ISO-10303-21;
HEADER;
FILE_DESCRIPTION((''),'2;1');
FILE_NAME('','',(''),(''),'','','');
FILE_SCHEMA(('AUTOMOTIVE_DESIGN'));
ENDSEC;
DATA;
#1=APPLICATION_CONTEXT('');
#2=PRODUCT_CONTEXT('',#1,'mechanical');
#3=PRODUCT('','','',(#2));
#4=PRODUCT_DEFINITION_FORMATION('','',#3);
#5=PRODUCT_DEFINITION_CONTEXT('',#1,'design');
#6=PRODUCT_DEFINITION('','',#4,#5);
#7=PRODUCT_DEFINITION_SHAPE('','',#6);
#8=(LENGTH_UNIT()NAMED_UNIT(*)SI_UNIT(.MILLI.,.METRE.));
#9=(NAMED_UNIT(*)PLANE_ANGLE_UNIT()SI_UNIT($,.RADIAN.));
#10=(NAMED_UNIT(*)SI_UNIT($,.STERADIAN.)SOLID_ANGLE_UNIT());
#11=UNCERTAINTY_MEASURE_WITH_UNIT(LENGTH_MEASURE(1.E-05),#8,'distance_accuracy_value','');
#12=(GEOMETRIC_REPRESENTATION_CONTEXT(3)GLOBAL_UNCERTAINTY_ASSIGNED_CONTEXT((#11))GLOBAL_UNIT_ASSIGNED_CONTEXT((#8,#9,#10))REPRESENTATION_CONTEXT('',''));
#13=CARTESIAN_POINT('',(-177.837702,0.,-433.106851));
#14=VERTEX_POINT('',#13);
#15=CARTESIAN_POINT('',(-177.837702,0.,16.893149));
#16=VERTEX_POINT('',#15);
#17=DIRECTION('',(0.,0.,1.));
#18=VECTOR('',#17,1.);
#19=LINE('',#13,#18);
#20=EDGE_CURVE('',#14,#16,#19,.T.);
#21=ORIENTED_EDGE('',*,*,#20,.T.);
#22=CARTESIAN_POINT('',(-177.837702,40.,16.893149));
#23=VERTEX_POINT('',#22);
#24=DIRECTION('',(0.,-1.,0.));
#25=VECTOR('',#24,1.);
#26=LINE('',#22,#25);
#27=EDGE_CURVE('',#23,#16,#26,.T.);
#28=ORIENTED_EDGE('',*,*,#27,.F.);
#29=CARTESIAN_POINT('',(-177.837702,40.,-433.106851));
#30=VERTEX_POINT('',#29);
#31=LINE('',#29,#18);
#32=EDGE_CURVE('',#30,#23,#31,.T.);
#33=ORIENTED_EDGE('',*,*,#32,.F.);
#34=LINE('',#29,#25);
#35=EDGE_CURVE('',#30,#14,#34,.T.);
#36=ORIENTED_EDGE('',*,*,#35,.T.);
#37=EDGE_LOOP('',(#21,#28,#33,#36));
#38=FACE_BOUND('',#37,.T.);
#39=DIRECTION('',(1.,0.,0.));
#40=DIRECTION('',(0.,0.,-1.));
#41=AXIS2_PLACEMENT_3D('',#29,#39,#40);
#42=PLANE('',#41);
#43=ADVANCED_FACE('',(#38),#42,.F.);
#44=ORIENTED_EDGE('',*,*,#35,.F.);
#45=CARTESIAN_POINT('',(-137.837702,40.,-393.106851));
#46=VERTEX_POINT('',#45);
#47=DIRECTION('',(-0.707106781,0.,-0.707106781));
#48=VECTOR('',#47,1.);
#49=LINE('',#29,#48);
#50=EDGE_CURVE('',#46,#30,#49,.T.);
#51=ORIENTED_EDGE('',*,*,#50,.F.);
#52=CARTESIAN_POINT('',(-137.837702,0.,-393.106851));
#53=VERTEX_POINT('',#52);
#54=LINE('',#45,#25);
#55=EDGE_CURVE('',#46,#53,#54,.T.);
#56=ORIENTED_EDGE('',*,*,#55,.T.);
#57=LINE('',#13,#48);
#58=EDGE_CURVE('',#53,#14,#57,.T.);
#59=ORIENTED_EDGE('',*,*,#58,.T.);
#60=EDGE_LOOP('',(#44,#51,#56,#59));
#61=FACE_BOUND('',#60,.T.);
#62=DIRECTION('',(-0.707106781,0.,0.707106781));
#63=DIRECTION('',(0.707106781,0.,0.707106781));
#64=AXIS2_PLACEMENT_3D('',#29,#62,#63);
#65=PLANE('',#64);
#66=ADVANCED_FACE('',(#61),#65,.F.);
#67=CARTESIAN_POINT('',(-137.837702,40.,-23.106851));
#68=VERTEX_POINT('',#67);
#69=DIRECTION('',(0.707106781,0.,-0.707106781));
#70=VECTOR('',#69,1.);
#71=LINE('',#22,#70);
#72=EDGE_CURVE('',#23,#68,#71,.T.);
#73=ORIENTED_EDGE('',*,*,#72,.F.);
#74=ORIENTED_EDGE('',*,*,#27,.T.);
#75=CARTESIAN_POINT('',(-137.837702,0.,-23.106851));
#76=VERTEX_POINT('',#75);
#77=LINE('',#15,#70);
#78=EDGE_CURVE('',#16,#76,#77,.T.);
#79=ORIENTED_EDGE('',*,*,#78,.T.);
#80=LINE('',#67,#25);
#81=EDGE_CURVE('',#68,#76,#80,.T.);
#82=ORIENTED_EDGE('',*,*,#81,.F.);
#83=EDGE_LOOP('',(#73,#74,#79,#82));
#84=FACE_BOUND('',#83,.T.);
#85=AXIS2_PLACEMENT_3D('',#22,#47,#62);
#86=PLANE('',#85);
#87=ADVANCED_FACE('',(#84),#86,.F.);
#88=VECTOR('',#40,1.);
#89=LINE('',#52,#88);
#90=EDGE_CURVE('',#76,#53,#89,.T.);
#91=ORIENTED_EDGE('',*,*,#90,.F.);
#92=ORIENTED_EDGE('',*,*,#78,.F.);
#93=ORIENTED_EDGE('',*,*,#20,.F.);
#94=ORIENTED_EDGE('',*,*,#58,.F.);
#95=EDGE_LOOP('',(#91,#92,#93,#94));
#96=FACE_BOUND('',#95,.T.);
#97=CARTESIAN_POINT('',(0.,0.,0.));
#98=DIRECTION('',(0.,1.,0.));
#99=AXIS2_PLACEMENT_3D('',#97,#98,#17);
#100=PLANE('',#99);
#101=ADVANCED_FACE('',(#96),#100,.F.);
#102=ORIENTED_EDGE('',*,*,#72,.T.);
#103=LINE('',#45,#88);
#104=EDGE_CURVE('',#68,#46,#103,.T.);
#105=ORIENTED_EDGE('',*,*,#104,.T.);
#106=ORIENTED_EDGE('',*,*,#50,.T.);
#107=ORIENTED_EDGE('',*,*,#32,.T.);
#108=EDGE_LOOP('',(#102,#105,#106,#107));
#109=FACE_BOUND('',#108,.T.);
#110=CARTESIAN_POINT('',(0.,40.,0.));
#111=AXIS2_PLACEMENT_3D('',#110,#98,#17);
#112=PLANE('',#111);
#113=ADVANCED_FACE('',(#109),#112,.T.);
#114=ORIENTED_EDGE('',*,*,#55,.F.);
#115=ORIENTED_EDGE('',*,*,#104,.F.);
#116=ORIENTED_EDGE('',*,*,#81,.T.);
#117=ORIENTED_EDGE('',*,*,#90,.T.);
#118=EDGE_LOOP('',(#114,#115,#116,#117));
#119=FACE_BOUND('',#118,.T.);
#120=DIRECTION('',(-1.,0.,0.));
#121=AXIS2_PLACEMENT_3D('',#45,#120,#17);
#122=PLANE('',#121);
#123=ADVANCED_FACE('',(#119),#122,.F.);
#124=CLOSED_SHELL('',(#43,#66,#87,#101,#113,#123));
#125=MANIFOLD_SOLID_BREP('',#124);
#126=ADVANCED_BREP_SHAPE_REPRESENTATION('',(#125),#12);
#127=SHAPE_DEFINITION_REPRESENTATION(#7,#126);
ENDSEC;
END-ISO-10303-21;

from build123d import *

# Parameters (mm, degrees)
EXTRUDE_1_DEPTH = 40


with BuildPart() as part:
    # Эскиз1 → Бобышка-Вытянуть1 (new body)
    with BuildSketch(Plane(origin=(0, 0, 0), x_dir=(1, 0, 0), z_dir=(0, 1, 0))):
        Polygon((-177.83770196, -16.893149455), (-137.83770196, 23.106850545), (-137.83770196, 393.106850545), (-177.83770196, 433.106850545), align=None)
    extrude(amount=EXTRUDE_1_DEPTH)


solid = part.part
